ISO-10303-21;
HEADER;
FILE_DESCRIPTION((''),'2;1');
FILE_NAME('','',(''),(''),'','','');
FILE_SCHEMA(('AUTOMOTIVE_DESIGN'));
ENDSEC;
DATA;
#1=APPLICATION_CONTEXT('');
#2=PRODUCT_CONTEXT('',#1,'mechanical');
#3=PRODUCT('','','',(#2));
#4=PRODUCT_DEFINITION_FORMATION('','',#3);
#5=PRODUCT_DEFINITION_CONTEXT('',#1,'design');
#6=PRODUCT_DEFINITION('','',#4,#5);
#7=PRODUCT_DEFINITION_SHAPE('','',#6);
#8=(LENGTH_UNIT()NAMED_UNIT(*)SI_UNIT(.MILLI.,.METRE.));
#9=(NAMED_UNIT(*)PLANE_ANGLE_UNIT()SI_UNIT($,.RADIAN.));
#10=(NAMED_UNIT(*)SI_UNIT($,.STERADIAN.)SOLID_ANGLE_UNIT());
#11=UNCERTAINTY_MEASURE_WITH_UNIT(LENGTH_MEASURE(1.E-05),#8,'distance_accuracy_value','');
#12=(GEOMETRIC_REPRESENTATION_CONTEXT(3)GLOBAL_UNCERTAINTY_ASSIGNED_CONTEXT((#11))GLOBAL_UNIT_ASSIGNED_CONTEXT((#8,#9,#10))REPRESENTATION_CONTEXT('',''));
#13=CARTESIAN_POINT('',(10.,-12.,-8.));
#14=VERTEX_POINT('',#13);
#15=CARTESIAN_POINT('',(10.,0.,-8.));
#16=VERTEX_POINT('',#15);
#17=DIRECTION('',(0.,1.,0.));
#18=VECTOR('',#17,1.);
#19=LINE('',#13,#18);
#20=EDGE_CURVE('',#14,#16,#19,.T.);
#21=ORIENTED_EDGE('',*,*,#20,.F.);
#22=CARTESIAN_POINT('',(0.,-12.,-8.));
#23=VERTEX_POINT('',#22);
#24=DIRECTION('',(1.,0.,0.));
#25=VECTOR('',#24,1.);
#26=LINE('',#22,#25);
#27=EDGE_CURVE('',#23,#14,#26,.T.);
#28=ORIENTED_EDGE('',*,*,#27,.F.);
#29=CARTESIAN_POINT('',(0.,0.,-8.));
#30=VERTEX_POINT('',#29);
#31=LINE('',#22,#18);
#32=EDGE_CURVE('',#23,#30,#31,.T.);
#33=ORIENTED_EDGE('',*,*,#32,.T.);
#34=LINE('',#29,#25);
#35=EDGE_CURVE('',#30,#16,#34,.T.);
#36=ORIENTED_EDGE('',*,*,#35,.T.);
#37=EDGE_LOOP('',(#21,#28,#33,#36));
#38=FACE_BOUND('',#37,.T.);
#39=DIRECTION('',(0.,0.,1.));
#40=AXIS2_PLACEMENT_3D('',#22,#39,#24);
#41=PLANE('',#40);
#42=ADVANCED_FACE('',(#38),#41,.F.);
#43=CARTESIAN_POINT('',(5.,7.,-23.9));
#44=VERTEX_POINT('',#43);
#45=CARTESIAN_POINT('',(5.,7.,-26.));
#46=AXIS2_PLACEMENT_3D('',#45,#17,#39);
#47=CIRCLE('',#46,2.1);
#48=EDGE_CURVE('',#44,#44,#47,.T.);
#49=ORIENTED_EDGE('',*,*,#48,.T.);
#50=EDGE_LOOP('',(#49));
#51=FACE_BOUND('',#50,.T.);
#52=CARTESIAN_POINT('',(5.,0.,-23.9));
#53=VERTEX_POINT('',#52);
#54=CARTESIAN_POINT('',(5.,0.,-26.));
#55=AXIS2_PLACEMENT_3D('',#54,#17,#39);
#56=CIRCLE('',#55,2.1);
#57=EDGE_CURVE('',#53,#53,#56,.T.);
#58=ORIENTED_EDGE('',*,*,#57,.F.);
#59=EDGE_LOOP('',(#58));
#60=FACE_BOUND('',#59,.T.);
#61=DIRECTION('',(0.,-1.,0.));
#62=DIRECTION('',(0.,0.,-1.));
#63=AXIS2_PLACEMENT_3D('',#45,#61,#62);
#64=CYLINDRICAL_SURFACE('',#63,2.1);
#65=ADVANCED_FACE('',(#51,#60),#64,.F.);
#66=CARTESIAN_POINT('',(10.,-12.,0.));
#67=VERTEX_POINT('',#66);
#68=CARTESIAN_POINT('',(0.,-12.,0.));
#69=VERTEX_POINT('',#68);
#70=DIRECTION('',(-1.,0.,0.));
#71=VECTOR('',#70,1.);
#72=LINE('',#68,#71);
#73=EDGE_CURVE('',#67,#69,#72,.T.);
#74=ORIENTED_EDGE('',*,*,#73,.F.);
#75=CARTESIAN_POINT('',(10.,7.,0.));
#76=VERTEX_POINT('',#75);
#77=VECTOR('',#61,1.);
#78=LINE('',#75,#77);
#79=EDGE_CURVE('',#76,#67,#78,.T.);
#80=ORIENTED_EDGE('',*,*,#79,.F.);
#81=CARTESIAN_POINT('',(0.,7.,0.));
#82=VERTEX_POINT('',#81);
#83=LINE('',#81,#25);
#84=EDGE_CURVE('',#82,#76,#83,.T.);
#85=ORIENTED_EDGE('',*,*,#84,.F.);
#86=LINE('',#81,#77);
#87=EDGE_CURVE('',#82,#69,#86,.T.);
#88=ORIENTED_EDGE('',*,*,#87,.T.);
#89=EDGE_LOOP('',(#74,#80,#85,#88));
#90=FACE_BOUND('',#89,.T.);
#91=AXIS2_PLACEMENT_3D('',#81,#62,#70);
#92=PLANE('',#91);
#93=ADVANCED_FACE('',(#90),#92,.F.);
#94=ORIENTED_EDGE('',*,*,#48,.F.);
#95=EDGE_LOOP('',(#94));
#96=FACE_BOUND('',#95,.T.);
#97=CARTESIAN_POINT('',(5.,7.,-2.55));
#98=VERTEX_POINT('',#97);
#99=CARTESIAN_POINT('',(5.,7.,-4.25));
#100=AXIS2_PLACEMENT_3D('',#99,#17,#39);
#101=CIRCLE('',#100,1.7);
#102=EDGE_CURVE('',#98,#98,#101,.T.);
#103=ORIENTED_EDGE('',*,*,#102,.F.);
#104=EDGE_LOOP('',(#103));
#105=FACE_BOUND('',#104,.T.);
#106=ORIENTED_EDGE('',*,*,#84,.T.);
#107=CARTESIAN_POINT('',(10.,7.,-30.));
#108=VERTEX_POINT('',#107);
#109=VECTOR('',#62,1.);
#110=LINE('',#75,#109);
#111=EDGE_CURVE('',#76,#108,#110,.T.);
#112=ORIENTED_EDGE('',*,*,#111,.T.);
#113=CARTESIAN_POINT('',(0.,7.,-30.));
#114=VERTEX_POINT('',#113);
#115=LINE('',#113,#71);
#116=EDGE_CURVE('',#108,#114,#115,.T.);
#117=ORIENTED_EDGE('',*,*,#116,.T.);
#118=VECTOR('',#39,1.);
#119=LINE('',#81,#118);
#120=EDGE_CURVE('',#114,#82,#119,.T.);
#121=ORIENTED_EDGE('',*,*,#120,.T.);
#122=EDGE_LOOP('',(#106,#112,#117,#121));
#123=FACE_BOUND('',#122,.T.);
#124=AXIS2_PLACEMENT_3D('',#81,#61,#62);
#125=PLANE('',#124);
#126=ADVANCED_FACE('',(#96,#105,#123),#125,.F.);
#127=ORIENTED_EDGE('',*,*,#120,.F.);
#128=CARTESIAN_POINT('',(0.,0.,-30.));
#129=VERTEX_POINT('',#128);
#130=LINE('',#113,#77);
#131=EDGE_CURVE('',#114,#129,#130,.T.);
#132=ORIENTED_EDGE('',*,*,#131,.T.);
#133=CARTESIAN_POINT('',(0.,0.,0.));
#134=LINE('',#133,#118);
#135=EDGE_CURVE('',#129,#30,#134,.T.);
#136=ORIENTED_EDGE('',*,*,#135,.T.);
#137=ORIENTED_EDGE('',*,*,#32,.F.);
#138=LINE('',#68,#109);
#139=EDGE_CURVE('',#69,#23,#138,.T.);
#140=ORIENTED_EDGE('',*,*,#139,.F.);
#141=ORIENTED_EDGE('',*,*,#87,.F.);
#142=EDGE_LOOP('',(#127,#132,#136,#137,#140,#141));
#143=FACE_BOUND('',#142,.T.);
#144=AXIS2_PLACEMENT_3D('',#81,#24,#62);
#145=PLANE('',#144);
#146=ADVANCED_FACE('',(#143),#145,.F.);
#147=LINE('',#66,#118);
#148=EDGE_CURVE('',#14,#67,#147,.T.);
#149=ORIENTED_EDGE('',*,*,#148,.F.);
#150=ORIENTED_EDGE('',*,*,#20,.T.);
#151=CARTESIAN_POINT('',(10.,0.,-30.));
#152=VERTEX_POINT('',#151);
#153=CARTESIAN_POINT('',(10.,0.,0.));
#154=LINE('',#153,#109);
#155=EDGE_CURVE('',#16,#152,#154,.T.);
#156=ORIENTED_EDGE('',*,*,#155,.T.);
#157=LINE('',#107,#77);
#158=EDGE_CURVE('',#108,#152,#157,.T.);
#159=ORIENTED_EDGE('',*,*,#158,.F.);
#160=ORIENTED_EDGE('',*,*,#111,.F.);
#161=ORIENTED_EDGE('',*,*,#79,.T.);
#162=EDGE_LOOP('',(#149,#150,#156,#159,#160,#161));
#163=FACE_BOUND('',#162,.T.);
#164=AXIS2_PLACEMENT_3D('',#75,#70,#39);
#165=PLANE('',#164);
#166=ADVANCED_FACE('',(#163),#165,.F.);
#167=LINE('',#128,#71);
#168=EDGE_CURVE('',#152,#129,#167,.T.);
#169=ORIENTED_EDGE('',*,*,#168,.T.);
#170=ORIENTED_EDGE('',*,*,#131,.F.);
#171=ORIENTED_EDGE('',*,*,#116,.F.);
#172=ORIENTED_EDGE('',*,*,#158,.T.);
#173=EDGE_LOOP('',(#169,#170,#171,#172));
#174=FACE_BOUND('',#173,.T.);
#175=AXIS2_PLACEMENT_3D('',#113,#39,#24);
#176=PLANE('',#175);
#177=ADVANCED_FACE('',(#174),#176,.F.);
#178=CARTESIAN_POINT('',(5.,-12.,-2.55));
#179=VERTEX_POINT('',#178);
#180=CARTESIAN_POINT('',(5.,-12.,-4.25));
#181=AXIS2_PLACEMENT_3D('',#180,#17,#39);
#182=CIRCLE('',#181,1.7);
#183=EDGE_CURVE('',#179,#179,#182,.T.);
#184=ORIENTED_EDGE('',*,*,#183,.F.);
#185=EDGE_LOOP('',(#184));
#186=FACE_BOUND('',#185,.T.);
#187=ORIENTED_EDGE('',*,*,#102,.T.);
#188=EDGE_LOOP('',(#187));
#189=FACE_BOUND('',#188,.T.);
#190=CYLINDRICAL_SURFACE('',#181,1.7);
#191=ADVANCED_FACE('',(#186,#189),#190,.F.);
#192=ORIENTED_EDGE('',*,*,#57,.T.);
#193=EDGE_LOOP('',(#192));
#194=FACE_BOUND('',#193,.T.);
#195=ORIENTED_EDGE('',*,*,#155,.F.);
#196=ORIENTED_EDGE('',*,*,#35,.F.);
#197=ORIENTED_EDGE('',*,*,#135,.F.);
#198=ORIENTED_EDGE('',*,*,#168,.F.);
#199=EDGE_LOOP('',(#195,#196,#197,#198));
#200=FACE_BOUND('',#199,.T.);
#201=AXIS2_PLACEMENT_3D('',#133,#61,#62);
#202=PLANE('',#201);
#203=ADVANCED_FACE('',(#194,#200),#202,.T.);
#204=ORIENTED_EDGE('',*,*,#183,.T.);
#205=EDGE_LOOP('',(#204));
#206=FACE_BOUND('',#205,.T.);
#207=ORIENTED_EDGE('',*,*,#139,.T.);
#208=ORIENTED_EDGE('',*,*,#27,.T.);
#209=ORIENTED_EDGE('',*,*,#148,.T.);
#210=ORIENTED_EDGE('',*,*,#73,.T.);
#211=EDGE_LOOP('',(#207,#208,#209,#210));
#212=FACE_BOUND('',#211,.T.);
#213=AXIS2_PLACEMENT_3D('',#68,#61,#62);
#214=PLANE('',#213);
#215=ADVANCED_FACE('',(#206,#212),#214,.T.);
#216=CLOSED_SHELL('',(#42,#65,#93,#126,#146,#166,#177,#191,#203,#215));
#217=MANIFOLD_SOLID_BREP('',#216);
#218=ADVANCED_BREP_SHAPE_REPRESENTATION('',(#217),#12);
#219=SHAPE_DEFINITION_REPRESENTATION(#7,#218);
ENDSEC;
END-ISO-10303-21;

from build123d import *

# Parameters (mm, degrees)
SKETCH1_W           = 10
SKETCH1_H           = 30
SKETCH1_R           = 2.1
BOSS_EXTRUDE1_DEPTH = 7
SKETCH2_W           = 10
SKETCH2_H           = 8
BOSS_EXTRUDE2_DEPTH = 12
SKETCH3_R           = 1.7
CUT_EXTRUDE1_DEPTH  = 37.891733491


with BuildPart() as part:
    # Sketch1 → Boss-Extrude1 (new body)
    with BuildSketch(Plane(origin=(0, 0, 0), x_dir=(1, 0, 0), z_dir=(0, 1, 0))):
        with Locations((5, 15)):
            Rectangle(SKETCH1_W, SKETCH1_H)
        with Locations(Location((5, 26, 0), (0, 0, 270))):
            Circle(SKETCH1_R, mode=Mode.SUBTRACT)
    extrude(amount=BOSS_EXTRUDE1_DEPTH)

    # Sketch2 → Boss-Extrude2 (add)
    with BuildSketch(Plane(origin=(0, 0, 0), x_dir=(-1, 0, 0), z_dir=(0, -1, 0))):
        with Locations((-5, 4)):
            Rectangle(SKETCH2_W, SKETCH2_H)
    extrude(amount=BOSS_EXTRUDE2_DEPTH)

    # Sketch3 → Cut-Extrude1 (cut, through all)
    with BuildSketch(Plane(origin=(0, 7, 0), x_dir=(1, 0, 0), z_dir=(0, 1, 0))):
        with Locations(Location((5, 4.25, 0), (0, 0, 270))):
            Circle(SKETCH3_R)
    extrude(amount=-CUT_EXTRUDE1_DEPTH, mode=Mode.SUBTRACT)


solid = part.part
